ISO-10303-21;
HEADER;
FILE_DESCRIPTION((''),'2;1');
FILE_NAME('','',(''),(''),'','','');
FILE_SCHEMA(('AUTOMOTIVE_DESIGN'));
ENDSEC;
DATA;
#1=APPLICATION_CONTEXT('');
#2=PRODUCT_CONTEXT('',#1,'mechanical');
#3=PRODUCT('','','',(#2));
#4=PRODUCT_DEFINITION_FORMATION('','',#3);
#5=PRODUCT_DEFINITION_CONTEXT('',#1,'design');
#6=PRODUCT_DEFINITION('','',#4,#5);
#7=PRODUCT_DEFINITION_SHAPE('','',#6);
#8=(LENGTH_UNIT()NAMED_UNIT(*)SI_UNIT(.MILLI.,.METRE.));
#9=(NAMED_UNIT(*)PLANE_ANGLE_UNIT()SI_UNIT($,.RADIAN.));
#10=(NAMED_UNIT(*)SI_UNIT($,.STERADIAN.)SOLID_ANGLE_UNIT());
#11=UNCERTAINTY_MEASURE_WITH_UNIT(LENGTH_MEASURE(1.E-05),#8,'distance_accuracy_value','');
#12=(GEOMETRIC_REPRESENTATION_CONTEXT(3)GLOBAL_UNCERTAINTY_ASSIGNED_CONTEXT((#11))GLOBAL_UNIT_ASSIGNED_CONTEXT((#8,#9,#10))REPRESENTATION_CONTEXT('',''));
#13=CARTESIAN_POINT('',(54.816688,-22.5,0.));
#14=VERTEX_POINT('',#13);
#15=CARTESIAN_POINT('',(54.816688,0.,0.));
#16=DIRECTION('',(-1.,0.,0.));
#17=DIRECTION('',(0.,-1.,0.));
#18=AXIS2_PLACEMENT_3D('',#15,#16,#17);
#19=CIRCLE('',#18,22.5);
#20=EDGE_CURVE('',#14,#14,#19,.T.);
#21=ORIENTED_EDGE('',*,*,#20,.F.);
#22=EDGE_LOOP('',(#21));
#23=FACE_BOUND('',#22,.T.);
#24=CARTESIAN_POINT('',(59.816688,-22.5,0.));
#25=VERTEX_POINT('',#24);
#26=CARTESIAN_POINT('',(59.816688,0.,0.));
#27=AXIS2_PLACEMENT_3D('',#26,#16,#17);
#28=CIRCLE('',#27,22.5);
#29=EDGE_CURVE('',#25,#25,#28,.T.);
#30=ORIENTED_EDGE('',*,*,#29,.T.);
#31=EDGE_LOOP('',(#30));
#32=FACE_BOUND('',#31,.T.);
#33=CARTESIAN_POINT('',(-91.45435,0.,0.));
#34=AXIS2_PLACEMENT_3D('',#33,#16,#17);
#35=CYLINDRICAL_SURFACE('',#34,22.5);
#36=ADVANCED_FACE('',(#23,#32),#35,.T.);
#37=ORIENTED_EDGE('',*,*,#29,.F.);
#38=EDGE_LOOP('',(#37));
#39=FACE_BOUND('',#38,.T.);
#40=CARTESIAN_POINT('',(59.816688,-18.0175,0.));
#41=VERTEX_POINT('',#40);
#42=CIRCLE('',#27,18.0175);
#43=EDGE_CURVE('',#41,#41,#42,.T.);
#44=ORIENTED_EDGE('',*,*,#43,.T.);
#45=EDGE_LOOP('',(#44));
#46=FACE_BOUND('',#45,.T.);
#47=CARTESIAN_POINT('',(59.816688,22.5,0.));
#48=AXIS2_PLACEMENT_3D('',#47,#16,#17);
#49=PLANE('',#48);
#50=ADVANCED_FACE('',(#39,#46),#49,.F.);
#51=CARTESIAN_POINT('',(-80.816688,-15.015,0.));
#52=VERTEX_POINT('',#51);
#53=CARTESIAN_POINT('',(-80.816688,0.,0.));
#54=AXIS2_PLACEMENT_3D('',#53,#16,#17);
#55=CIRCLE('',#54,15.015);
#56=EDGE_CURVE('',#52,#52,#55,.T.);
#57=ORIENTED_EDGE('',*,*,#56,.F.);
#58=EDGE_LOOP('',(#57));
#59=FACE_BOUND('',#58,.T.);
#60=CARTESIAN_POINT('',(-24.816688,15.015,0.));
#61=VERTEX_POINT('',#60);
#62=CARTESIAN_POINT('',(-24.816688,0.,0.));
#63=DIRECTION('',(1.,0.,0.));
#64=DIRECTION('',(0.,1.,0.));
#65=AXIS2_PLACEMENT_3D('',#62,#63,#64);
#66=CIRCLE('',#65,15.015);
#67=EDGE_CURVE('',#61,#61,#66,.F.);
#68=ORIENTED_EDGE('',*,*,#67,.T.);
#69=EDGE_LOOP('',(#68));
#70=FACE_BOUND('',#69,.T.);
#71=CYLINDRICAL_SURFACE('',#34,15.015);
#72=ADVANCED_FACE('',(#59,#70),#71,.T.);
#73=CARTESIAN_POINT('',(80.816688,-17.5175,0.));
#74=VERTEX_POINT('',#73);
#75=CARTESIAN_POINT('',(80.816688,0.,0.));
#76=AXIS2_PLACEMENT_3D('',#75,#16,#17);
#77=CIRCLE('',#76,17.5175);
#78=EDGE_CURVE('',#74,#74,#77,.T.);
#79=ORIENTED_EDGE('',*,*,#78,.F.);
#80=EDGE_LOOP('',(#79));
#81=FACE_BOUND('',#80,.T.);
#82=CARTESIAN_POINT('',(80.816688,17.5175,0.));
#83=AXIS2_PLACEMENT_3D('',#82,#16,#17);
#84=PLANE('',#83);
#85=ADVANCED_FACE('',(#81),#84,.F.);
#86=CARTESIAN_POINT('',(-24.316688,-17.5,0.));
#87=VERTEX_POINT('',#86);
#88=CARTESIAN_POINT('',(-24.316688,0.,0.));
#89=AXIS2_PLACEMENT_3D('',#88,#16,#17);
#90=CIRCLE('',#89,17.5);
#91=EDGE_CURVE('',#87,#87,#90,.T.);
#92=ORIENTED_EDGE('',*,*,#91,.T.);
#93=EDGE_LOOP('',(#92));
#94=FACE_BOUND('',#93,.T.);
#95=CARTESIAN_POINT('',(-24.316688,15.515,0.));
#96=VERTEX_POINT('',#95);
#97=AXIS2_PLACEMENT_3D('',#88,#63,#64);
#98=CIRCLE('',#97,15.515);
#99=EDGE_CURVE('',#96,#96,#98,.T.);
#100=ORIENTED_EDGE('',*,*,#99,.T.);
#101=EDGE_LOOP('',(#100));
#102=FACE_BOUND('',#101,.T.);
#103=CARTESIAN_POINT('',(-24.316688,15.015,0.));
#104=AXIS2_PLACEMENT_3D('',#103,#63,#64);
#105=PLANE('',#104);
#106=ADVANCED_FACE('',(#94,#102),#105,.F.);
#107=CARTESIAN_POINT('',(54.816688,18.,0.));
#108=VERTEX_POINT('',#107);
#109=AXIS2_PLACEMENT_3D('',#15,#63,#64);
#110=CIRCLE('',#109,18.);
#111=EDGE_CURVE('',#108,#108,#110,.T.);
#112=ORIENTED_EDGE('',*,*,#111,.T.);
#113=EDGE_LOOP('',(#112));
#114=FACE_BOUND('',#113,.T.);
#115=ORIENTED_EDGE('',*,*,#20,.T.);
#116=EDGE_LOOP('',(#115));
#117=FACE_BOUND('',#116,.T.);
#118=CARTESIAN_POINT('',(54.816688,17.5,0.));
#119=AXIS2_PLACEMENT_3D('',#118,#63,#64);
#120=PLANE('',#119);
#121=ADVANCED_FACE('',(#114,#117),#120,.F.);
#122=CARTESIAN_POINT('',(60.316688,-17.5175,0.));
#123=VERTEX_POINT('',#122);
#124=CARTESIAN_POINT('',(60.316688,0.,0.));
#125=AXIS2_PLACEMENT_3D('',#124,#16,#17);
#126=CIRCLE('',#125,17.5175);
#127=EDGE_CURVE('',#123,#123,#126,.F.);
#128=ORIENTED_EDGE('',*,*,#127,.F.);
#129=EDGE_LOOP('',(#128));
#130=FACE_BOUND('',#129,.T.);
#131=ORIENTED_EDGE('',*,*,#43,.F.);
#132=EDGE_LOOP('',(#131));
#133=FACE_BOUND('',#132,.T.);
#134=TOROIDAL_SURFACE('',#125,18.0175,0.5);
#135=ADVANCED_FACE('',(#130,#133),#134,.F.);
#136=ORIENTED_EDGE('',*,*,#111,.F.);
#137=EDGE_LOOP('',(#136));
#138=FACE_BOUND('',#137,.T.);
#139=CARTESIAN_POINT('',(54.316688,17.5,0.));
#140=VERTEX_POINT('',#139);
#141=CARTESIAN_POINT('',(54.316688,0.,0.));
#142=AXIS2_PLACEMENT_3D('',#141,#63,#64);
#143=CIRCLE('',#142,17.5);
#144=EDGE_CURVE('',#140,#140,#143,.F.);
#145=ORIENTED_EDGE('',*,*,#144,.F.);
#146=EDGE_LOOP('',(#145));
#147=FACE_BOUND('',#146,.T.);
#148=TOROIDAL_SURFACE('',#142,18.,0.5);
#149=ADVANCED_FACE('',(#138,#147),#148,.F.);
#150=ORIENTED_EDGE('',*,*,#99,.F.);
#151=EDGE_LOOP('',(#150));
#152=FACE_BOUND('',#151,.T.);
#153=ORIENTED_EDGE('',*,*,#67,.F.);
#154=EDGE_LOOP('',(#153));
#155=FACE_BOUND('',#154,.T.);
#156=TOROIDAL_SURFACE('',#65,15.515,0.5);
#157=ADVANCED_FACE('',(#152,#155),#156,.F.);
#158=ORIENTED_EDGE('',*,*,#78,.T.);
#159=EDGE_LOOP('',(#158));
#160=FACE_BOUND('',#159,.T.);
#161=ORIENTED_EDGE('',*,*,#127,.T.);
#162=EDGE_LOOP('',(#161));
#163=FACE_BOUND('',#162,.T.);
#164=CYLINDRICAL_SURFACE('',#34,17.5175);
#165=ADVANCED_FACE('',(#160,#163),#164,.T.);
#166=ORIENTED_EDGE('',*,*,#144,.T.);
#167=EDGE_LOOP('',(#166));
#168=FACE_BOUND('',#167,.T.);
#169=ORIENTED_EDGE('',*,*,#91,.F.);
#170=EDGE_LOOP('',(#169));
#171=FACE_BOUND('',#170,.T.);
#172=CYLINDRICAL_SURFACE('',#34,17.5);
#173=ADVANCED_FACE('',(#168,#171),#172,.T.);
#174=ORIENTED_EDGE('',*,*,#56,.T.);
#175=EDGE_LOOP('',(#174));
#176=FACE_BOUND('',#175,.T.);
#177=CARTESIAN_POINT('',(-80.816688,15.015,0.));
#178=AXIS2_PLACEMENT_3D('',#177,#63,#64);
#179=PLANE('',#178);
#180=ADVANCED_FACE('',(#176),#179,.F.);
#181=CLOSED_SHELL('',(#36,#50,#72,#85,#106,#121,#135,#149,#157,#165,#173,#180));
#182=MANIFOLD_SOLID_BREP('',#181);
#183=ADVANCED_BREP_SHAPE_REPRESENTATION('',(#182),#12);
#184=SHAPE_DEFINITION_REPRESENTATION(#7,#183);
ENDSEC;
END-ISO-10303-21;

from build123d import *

# Parameters (mm, degrees)
FILLET1_R = 0.5


with BuildPart() as part:
    # Sketch1 → Revolve1 (revolve)
    with BuildSketch(Plane.XY, mode=Mode.PRIVATE) as revolve1_sk:
        Polygon((-80.816688046, 15.015), (-37.316688046, 15.015), (-24.316688046, 15.015), (-24.316688046, 17.5), (27.280476237, 17.5), (54.816688046, 17.5), (54.816688046, 22.5), (59.816688046, 22.5), (59.816688046, 17.5175), (80.816688046, 17.5175), (80.816688046, 0), (-80.816688046, 0), align=None)
    revolve(revolve1_sk.sketch.rotate(Axis((-91.454349808, 0, 0), (1, 0, 0)), 180), axis=Axis((-91.454349808, 0, 0), (1, 0, 0)))

    # Fillet1
    fillet1_edges = [part.edges().sort_by_distance(p)[0] for p in [
        (-24.316688046, 15.015, 0),
        (54.816688046, 17.5, 0),
        (59.816688046, 17.5175, 0),
    ]]
    fillet(fillet1_edges, radius=FILLET1_R)


solid = part.part
